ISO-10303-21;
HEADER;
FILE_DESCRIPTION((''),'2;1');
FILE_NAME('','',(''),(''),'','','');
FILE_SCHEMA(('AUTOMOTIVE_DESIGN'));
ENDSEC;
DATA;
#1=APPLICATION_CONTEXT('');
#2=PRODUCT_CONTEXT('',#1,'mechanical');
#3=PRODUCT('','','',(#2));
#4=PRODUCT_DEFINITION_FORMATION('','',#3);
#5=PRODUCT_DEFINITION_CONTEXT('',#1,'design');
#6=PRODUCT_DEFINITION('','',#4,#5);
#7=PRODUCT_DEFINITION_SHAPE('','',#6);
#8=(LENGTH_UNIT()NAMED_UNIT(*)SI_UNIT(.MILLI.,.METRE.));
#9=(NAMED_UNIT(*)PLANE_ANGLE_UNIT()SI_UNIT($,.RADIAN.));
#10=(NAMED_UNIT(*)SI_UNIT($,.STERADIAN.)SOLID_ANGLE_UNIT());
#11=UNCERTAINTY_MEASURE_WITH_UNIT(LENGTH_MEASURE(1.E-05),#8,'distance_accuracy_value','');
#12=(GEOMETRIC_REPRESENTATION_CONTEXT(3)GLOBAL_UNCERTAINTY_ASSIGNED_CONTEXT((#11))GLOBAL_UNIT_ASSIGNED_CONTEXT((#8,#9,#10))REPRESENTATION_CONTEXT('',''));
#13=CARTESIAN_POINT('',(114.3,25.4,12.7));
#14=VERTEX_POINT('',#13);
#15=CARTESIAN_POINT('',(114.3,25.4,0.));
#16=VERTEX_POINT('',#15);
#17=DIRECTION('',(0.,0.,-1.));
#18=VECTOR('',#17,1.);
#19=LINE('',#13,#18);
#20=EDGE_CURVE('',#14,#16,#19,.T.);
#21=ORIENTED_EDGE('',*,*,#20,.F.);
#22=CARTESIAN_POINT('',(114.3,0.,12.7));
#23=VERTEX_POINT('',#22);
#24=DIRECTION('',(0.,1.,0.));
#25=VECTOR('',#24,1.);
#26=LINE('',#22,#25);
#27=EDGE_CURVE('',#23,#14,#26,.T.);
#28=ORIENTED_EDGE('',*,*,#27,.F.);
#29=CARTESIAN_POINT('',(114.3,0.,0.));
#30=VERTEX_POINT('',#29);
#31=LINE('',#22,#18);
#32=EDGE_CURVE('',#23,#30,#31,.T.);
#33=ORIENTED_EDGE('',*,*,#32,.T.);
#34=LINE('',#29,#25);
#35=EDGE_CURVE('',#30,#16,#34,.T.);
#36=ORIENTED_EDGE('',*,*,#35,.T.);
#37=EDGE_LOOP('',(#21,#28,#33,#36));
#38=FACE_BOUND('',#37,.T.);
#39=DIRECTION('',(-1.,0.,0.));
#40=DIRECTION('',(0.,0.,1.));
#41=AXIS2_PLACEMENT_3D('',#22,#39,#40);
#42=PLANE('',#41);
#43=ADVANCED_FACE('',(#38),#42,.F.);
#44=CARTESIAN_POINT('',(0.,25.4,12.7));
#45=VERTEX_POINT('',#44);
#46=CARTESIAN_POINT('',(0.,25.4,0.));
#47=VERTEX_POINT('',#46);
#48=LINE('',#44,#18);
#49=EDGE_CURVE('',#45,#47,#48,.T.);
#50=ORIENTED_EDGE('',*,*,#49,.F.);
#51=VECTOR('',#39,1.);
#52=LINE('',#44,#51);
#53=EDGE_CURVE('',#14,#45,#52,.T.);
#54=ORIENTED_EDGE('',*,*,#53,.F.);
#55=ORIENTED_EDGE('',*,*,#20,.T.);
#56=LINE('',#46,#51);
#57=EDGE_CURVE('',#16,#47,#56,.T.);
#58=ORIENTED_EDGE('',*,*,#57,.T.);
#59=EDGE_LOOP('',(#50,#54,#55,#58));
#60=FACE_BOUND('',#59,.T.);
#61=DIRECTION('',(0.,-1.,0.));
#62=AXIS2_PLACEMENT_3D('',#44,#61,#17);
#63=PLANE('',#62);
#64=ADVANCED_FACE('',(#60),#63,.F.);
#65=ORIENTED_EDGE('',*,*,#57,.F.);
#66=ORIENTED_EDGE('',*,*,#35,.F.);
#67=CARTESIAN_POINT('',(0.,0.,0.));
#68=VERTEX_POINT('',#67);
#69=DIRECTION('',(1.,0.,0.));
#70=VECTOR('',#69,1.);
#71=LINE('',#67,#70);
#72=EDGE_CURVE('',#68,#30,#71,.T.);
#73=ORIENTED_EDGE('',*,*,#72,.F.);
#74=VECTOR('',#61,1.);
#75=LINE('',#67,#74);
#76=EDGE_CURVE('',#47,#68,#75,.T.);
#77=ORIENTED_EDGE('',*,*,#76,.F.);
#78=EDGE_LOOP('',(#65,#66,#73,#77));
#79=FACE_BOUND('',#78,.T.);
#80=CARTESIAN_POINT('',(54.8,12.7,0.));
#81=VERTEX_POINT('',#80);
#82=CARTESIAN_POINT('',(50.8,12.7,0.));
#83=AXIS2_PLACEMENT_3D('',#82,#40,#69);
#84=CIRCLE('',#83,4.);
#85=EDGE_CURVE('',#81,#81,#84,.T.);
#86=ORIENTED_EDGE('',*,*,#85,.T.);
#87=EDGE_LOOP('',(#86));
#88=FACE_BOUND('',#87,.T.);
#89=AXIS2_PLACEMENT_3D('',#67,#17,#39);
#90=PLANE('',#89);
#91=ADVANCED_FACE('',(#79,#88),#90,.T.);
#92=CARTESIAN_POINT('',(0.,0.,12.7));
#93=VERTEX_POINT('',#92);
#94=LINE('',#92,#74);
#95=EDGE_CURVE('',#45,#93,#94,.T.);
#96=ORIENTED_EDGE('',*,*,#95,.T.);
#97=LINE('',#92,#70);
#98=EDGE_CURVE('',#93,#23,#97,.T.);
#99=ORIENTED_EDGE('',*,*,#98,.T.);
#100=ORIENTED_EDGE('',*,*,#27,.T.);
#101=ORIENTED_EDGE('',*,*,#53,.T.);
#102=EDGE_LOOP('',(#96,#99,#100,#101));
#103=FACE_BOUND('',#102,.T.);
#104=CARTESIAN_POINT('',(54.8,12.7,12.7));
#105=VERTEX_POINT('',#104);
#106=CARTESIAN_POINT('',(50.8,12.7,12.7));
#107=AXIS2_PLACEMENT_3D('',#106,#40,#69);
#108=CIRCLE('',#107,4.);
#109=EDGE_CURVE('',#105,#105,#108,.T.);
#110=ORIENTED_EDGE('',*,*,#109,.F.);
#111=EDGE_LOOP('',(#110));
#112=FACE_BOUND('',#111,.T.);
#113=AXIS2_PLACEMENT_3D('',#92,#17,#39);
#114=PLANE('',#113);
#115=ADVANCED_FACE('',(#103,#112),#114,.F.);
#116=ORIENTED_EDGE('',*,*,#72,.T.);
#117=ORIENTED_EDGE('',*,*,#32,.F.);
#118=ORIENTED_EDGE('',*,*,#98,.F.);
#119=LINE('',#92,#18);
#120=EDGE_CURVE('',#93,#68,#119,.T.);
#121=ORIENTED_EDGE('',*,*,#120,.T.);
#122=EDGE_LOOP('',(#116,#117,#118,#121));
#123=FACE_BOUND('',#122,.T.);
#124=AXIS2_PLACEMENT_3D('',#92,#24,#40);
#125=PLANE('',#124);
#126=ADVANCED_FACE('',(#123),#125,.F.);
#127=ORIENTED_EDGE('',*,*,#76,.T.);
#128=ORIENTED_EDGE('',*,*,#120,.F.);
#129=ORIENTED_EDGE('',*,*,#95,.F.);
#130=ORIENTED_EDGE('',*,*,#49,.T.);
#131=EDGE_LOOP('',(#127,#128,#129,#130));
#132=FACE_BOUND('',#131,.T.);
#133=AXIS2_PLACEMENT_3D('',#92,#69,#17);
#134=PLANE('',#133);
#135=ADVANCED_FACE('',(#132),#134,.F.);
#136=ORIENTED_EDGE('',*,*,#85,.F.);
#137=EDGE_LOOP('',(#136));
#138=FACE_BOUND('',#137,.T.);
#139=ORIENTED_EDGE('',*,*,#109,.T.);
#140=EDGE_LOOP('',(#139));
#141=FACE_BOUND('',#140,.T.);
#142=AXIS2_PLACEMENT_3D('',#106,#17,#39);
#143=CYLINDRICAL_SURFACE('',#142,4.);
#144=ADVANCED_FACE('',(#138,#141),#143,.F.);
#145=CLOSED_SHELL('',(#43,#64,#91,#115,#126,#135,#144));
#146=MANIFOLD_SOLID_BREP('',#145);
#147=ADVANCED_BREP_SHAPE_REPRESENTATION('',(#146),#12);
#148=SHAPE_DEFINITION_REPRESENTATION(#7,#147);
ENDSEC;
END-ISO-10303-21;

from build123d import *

# Parameters (mm, degrees)
SKETCH1_W           = 114.3
SKETCH1_H           = 25.4
SKETCH1_R           = 4
BOSS_EXTRUDE1_DEPTH = 12.7


with BuildPart() as part:
    # Sketch1 → Boss-Extrude1 (new body)
    with BuildSketch(Plane.XY):
        with Locations((57.15, 12.7)):
            Rectangle(SKETCH1_W, SKETCH1_H)
        with Locations((50.8, 12.7)):
            Circle(SKETCH1_R, mode=Mode.SUBTRACT)
    extrude(amount=BOSS_EXTRUDE1_DEPTH)


solid = part.part
